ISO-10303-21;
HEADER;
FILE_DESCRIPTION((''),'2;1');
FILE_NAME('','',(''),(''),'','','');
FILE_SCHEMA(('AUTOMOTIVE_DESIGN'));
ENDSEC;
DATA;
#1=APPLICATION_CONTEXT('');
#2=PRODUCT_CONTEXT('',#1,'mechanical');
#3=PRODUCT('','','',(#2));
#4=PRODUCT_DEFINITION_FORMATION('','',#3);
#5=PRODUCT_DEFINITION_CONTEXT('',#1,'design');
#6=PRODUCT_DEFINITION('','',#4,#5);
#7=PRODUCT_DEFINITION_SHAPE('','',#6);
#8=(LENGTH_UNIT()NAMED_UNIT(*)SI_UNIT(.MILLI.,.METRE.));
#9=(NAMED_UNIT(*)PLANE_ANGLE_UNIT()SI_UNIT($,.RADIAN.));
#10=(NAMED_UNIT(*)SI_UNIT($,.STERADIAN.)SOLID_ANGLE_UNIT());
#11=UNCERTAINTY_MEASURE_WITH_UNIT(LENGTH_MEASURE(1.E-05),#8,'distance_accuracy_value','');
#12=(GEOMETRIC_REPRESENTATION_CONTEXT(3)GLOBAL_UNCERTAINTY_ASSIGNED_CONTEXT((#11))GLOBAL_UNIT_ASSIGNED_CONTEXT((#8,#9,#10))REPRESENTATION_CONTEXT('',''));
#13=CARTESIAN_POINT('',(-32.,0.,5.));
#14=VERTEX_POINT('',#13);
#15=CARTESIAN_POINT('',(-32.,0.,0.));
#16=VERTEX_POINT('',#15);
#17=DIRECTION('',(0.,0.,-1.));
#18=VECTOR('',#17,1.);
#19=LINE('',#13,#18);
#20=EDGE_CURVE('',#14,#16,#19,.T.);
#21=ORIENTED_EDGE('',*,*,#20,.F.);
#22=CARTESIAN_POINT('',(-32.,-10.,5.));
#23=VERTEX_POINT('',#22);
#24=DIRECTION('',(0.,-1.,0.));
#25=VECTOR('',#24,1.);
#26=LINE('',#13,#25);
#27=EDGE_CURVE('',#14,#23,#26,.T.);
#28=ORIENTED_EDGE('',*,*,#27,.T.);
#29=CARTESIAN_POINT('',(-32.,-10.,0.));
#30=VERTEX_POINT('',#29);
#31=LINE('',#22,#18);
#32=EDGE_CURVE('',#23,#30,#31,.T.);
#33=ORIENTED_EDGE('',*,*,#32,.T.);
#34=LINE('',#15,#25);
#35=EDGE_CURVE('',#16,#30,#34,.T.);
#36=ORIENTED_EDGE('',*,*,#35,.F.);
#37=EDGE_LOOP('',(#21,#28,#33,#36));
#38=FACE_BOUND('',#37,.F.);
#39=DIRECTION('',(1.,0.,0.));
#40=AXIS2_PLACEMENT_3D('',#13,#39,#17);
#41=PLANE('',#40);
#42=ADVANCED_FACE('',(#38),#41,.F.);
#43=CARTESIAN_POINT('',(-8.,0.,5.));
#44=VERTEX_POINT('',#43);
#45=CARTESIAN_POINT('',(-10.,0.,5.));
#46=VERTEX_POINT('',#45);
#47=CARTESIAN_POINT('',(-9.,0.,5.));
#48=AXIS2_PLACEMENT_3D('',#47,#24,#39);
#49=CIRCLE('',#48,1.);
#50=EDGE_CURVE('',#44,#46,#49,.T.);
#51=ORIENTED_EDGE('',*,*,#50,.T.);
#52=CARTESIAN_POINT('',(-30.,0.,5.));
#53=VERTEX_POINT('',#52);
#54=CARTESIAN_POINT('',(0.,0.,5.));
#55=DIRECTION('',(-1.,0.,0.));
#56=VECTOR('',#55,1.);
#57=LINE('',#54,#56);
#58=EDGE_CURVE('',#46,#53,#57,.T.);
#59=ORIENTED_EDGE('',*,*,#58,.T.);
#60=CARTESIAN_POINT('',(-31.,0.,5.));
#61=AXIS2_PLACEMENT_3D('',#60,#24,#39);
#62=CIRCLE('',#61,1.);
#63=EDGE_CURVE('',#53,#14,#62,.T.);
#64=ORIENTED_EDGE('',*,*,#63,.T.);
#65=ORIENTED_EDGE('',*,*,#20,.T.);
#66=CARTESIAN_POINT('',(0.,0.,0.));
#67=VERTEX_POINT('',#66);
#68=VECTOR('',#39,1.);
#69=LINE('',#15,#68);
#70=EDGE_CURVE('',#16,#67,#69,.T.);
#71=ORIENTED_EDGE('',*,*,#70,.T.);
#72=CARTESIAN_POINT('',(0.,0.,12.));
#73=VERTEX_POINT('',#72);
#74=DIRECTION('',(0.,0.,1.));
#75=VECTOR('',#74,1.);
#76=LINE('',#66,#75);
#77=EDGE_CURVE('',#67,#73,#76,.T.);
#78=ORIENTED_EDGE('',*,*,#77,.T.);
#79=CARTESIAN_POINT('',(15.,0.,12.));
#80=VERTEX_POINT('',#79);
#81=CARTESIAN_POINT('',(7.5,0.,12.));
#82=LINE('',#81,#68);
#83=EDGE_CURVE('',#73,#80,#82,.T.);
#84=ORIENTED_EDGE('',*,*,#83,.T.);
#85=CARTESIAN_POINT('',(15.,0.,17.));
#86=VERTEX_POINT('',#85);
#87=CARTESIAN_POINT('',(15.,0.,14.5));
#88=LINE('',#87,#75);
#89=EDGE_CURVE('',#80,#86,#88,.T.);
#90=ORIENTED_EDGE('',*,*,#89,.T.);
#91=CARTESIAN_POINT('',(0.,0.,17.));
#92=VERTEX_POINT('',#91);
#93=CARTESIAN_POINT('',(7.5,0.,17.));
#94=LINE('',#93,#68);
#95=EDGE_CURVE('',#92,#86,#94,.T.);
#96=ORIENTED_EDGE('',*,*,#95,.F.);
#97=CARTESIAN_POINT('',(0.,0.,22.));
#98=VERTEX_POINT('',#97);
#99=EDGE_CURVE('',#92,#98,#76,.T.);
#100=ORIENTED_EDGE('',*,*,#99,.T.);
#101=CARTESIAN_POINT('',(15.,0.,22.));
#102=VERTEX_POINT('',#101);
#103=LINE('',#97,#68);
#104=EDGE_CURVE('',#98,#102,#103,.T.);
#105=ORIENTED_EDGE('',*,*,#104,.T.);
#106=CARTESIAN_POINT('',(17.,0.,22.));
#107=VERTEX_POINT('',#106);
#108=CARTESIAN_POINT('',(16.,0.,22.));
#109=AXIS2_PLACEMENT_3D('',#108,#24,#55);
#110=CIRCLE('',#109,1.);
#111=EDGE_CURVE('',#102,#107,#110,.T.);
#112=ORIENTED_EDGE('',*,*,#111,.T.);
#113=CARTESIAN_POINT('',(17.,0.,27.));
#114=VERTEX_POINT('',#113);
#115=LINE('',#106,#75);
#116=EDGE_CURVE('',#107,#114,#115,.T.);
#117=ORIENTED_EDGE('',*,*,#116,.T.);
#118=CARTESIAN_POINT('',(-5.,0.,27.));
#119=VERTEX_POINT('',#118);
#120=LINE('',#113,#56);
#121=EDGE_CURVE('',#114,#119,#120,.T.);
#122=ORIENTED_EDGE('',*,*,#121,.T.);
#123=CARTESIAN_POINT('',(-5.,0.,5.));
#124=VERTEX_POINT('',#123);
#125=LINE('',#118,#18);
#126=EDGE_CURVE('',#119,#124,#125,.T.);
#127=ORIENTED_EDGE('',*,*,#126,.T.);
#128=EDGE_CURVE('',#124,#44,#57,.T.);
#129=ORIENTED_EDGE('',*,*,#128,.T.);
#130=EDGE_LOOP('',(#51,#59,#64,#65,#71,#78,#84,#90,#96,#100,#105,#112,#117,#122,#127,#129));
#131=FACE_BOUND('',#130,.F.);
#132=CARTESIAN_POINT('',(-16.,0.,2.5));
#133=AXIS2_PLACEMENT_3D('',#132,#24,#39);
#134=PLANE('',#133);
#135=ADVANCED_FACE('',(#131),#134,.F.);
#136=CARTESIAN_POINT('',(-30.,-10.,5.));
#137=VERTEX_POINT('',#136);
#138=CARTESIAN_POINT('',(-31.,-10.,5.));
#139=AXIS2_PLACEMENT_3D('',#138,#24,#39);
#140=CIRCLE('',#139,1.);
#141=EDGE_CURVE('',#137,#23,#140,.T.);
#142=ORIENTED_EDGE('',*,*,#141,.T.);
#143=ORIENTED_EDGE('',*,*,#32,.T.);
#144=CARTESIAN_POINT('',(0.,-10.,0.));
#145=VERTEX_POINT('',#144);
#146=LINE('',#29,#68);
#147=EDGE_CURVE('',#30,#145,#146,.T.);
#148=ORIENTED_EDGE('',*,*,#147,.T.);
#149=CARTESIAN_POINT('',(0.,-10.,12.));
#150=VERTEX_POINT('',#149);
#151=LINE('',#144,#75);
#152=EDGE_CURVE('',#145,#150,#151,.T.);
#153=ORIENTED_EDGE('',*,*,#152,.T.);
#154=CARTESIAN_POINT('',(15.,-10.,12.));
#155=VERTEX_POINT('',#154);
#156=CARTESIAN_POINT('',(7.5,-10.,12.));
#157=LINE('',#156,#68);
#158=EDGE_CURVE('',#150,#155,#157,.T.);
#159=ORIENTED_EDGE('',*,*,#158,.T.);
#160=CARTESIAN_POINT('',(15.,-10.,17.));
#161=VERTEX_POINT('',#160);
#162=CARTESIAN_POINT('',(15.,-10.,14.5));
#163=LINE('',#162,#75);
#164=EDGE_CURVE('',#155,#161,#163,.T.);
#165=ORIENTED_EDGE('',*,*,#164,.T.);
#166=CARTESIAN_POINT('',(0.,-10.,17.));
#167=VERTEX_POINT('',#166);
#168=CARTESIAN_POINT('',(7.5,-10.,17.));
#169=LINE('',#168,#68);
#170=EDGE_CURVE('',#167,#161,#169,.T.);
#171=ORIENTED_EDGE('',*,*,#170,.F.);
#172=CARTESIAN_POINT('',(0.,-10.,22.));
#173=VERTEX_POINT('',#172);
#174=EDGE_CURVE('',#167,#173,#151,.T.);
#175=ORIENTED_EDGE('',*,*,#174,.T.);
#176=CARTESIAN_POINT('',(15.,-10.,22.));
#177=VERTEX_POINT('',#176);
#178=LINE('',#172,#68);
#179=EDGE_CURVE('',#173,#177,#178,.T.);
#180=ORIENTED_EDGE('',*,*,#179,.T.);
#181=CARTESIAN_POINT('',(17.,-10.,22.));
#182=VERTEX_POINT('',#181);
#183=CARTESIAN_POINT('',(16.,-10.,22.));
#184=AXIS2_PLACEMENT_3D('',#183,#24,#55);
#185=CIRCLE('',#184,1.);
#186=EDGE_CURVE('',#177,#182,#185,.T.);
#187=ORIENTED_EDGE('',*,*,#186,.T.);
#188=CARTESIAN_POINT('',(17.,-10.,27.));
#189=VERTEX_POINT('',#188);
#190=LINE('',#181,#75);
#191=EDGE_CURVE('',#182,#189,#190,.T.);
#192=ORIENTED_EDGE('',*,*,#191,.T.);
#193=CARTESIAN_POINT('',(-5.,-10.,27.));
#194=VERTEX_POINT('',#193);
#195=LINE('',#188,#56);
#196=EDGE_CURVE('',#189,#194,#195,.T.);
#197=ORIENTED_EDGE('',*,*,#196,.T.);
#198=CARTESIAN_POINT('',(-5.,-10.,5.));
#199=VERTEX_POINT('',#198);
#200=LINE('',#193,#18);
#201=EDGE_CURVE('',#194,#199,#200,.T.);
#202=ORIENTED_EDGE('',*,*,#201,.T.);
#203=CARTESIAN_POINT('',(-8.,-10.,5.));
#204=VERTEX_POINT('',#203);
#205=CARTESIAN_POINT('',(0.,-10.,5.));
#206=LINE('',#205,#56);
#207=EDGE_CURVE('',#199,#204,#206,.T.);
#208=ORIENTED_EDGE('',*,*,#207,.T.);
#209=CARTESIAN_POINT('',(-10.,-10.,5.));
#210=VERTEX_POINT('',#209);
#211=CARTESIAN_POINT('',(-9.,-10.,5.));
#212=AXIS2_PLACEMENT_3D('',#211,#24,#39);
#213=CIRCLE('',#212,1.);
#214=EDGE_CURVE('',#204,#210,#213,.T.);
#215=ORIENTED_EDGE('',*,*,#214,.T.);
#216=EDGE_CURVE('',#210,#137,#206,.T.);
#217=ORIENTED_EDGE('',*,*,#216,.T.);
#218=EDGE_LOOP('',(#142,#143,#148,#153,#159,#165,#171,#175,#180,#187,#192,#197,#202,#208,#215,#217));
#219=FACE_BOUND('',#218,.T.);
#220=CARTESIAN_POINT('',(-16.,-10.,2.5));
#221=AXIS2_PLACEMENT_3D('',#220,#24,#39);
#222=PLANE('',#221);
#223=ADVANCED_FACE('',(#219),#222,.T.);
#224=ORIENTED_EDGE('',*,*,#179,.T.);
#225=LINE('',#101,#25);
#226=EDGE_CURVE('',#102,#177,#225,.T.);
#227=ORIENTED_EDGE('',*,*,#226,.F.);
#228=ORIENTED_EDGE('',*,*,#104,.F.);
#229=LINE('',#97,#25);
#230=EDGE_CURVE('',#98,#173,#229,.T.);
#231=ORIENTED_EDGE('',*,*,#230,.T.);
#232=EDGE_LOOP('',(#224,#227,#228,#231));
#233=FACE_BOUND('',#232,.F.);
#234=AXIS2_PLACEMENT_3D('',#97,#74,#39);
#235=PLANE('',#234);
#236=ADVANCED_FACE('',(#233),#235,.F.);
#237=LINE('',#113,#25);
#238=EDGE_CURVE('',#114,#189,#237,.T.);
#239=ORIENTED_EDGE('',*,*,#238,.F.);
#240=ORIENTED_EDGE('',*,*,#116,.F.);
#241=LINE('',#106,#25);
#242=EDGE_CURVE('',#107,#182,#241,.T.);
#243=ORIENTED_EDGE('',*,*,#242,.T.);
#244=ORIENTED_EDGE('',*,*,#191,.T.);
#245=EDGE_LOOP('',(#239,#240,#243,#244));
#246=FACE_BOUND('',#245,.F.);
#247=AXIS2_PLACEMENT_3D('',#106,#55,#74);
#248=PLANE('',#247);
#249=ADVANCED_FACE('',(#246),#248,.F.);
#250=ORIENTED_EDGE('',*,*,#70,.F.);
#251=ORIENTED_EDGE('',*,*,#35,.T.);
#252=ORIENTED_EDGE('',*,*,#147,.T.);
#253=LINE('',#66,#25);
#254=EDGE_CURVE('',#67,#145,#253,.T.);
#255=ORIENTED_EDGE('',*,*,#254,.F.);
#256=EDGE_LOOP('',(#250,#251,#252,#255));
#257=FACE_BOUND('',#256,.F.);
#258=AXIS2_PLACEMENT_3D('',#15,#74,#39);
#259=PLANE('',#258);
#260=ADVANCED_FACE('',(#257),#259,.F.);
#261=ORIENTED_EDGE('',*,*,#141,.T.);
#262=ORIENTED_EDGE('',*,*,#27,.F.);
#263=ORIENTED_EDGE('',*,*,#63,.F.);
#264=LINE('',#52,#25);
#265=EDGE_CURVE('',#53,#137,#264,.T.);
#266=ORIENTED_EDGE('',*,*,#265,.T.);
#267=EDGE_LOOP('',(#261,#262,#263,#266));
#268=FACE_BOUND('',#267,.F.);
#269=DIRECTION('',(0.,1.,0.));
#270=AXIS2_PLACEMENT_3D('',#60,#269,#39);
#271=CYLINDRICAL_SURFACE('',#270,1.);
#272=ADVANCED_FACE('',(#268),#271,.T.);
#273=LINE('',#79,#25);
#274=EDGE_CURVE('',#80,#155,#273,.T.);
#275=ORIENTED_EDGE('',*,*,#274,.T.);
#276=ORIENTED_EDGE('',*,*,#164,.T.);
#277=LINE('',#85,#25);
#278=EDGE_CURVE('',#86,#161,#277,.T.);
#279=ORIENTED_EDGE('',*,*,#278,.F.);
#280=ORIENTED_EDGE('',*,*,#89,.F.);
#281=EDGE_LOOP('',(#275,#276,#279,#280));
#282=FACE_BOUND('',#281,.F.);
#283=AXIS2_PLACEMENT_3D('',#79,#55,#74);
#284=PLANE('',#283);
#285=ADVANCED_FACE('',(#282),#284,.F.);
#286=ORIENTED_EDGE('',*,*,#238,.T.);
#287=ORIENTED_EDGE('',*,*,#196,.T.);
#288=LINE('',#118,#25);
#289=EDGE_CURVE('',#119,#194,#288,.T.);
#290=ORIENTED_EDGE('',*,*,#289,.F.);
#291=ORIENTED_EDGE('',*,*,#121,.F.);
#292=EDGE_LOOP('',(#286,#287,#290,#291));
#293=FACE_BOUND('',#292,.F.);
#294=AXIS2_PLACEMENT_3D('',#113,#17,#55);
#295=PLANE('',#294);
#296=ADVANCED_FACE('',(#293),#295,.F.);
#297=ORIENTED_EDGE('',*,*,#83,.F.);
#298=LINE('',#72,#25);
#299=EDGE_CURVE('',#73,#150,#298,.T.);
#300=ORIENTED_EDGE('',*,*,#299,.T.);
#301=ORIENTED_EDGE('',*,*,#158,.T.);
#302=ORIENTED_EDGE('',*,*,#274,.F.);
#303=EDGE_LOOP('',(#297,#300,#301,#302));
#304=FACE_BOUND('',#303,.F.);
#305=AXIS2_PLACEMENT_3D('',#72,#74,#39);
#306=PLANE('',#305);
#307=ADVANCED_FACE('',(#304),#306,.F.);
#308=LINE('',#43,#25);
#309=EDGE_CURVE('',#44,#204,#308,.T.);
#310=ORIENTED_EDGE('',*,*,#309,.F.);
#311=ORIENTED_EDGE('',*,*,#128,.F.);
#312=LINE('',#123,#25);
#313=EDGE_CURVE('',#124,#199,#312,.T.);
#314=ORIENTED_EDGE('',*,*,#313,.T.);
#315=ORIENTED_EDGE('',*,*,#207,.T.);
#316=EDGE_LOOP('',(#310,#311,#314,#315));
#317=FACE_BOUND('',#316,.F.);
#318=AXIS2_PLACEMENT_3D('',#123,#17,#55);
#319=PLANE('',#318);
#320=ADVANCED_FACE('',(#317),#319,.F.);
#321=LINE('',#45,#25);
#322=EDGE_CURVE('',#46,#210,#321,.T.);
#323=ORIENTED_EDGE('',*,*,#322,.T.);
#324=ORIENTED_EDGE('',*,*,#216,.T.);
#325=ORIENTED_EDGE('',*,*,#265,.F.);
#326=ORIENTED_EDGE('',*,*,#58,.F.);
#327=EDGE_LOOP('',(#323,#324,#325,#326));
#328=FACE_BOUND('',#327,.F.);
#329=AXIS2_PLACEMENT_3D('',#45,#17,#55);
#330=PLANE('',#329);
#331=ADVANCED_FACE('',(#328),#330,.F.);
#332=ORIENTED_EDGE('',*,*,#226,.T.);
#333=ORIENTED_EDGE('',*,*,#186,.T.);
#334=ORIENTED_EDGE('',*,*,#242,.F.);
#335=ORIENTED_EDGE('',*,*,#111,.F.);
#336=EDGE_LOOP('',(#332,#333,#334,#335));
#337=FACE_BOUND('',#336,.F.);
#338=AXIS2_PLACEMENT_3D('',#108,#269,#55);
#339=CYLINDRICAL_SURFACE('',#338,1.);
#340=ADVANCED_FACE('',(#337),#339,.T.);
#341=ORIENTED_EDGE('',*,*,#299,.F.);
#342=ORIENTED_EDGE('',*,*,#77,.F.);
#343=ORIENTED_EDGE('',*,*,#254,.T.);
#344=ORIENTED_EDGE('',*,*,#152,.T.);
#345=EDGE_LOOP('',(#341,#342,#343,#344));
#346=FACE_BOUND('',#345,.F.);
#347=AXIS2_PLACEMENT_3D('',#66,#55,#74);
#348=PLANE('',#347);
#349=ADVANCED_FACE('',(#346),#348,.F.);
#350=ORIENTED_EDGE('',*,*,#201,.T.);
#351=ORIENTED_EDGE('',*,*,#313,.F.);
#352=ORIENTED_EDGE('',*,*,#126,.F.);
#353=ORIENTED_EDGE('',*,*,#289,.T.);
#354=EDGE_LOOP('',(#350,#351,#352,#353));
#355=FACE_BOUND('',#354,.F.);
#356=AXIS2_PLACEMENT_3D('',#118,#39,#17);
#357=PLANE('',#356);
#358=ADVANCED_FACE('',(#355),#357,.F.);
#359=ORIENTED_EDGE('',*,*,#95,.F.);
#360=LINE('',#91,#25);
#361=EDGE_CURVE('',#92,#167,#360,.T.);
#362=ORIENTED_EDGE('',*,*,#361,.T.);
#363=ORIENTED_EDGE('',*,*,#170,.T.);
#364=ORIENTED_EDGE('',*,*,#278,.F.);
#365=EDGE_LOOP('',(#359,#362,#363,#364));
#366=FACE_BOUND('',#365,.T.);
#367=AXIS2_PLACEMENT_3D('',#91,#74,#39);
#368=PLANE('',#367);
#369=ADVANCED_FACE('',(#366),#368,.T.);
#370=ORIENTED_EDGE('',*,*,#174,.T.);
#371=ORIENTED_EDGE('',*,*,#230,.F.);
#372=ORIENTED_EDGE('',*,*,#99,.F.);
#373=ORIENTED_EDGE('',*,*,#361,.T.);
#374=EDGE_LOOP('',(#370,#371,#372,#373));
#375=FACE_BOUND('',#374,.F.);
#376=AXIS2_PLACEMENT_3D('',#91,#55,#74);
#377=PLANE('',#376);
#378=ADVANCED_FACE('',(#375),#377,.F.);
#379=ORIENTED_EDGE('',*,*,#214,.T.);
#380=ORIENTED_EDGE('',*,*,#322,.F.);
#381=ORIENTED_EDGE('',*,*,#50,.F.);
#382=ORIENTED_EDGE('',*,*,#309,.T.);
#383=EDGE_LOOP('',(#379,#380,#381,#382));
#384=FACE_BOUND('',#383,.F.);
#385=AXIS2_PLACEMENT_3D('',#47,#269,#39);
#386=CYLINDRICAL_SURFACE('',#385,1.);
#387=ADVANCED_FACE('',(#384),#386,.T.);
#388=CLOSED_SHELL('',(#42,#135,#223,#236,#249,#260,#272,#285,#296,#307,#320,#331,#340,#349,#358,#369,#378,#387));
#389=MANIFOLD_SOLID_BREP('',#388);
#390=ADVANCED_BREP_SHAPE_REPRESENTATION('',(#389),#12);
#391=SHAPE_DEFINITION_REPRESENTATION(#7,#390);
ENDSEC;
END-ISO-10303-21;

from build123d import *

# Parameters (mm, degrees)
F0_W     = 15
F0_H     = 5
F1_DEPTH = 10


with BuildPart() as f1:
    # F0 (on Front) → F1 (new body)
    with BuildSketch(Plane.XZ):
        Polygon((-32, 0), (0, 0), (0, 5), (-5, 5), (-8, 5), (-10, 5), (-30, 5), (-32, 5), align=None)
        Polygon((-5, 5), (0, 5), (0, 12), (0, 17), (0, 22), (0, 27), (-5, 27), align=None)
        with BuildLine():
            ThreePointArc((-30, 5), (-31, 6), (-32, 5))
            Line((-32, 5), (-30, 5))
        make_face()
        with Locations((7.5, 14.5)):
            Rectangle(F0_W, F0_H)
        with BuildLine():
            Line((-10, 5), (-8, 5))
            ThreePointArc((-8, 5), (-9, 6), (-10, 5))
        make_face()
        Polygon((17, 27), (0, 27), (0, 22), (15, 22), (17, 22), align=None)
        with BuildLine():
            Line((17, 22), (15, 22))
            ThreePointArc((15, 22), (16, 21), (17, 22))
        make_face()
    extrude(amount=F1_DEPTH)


solid = f1.part
